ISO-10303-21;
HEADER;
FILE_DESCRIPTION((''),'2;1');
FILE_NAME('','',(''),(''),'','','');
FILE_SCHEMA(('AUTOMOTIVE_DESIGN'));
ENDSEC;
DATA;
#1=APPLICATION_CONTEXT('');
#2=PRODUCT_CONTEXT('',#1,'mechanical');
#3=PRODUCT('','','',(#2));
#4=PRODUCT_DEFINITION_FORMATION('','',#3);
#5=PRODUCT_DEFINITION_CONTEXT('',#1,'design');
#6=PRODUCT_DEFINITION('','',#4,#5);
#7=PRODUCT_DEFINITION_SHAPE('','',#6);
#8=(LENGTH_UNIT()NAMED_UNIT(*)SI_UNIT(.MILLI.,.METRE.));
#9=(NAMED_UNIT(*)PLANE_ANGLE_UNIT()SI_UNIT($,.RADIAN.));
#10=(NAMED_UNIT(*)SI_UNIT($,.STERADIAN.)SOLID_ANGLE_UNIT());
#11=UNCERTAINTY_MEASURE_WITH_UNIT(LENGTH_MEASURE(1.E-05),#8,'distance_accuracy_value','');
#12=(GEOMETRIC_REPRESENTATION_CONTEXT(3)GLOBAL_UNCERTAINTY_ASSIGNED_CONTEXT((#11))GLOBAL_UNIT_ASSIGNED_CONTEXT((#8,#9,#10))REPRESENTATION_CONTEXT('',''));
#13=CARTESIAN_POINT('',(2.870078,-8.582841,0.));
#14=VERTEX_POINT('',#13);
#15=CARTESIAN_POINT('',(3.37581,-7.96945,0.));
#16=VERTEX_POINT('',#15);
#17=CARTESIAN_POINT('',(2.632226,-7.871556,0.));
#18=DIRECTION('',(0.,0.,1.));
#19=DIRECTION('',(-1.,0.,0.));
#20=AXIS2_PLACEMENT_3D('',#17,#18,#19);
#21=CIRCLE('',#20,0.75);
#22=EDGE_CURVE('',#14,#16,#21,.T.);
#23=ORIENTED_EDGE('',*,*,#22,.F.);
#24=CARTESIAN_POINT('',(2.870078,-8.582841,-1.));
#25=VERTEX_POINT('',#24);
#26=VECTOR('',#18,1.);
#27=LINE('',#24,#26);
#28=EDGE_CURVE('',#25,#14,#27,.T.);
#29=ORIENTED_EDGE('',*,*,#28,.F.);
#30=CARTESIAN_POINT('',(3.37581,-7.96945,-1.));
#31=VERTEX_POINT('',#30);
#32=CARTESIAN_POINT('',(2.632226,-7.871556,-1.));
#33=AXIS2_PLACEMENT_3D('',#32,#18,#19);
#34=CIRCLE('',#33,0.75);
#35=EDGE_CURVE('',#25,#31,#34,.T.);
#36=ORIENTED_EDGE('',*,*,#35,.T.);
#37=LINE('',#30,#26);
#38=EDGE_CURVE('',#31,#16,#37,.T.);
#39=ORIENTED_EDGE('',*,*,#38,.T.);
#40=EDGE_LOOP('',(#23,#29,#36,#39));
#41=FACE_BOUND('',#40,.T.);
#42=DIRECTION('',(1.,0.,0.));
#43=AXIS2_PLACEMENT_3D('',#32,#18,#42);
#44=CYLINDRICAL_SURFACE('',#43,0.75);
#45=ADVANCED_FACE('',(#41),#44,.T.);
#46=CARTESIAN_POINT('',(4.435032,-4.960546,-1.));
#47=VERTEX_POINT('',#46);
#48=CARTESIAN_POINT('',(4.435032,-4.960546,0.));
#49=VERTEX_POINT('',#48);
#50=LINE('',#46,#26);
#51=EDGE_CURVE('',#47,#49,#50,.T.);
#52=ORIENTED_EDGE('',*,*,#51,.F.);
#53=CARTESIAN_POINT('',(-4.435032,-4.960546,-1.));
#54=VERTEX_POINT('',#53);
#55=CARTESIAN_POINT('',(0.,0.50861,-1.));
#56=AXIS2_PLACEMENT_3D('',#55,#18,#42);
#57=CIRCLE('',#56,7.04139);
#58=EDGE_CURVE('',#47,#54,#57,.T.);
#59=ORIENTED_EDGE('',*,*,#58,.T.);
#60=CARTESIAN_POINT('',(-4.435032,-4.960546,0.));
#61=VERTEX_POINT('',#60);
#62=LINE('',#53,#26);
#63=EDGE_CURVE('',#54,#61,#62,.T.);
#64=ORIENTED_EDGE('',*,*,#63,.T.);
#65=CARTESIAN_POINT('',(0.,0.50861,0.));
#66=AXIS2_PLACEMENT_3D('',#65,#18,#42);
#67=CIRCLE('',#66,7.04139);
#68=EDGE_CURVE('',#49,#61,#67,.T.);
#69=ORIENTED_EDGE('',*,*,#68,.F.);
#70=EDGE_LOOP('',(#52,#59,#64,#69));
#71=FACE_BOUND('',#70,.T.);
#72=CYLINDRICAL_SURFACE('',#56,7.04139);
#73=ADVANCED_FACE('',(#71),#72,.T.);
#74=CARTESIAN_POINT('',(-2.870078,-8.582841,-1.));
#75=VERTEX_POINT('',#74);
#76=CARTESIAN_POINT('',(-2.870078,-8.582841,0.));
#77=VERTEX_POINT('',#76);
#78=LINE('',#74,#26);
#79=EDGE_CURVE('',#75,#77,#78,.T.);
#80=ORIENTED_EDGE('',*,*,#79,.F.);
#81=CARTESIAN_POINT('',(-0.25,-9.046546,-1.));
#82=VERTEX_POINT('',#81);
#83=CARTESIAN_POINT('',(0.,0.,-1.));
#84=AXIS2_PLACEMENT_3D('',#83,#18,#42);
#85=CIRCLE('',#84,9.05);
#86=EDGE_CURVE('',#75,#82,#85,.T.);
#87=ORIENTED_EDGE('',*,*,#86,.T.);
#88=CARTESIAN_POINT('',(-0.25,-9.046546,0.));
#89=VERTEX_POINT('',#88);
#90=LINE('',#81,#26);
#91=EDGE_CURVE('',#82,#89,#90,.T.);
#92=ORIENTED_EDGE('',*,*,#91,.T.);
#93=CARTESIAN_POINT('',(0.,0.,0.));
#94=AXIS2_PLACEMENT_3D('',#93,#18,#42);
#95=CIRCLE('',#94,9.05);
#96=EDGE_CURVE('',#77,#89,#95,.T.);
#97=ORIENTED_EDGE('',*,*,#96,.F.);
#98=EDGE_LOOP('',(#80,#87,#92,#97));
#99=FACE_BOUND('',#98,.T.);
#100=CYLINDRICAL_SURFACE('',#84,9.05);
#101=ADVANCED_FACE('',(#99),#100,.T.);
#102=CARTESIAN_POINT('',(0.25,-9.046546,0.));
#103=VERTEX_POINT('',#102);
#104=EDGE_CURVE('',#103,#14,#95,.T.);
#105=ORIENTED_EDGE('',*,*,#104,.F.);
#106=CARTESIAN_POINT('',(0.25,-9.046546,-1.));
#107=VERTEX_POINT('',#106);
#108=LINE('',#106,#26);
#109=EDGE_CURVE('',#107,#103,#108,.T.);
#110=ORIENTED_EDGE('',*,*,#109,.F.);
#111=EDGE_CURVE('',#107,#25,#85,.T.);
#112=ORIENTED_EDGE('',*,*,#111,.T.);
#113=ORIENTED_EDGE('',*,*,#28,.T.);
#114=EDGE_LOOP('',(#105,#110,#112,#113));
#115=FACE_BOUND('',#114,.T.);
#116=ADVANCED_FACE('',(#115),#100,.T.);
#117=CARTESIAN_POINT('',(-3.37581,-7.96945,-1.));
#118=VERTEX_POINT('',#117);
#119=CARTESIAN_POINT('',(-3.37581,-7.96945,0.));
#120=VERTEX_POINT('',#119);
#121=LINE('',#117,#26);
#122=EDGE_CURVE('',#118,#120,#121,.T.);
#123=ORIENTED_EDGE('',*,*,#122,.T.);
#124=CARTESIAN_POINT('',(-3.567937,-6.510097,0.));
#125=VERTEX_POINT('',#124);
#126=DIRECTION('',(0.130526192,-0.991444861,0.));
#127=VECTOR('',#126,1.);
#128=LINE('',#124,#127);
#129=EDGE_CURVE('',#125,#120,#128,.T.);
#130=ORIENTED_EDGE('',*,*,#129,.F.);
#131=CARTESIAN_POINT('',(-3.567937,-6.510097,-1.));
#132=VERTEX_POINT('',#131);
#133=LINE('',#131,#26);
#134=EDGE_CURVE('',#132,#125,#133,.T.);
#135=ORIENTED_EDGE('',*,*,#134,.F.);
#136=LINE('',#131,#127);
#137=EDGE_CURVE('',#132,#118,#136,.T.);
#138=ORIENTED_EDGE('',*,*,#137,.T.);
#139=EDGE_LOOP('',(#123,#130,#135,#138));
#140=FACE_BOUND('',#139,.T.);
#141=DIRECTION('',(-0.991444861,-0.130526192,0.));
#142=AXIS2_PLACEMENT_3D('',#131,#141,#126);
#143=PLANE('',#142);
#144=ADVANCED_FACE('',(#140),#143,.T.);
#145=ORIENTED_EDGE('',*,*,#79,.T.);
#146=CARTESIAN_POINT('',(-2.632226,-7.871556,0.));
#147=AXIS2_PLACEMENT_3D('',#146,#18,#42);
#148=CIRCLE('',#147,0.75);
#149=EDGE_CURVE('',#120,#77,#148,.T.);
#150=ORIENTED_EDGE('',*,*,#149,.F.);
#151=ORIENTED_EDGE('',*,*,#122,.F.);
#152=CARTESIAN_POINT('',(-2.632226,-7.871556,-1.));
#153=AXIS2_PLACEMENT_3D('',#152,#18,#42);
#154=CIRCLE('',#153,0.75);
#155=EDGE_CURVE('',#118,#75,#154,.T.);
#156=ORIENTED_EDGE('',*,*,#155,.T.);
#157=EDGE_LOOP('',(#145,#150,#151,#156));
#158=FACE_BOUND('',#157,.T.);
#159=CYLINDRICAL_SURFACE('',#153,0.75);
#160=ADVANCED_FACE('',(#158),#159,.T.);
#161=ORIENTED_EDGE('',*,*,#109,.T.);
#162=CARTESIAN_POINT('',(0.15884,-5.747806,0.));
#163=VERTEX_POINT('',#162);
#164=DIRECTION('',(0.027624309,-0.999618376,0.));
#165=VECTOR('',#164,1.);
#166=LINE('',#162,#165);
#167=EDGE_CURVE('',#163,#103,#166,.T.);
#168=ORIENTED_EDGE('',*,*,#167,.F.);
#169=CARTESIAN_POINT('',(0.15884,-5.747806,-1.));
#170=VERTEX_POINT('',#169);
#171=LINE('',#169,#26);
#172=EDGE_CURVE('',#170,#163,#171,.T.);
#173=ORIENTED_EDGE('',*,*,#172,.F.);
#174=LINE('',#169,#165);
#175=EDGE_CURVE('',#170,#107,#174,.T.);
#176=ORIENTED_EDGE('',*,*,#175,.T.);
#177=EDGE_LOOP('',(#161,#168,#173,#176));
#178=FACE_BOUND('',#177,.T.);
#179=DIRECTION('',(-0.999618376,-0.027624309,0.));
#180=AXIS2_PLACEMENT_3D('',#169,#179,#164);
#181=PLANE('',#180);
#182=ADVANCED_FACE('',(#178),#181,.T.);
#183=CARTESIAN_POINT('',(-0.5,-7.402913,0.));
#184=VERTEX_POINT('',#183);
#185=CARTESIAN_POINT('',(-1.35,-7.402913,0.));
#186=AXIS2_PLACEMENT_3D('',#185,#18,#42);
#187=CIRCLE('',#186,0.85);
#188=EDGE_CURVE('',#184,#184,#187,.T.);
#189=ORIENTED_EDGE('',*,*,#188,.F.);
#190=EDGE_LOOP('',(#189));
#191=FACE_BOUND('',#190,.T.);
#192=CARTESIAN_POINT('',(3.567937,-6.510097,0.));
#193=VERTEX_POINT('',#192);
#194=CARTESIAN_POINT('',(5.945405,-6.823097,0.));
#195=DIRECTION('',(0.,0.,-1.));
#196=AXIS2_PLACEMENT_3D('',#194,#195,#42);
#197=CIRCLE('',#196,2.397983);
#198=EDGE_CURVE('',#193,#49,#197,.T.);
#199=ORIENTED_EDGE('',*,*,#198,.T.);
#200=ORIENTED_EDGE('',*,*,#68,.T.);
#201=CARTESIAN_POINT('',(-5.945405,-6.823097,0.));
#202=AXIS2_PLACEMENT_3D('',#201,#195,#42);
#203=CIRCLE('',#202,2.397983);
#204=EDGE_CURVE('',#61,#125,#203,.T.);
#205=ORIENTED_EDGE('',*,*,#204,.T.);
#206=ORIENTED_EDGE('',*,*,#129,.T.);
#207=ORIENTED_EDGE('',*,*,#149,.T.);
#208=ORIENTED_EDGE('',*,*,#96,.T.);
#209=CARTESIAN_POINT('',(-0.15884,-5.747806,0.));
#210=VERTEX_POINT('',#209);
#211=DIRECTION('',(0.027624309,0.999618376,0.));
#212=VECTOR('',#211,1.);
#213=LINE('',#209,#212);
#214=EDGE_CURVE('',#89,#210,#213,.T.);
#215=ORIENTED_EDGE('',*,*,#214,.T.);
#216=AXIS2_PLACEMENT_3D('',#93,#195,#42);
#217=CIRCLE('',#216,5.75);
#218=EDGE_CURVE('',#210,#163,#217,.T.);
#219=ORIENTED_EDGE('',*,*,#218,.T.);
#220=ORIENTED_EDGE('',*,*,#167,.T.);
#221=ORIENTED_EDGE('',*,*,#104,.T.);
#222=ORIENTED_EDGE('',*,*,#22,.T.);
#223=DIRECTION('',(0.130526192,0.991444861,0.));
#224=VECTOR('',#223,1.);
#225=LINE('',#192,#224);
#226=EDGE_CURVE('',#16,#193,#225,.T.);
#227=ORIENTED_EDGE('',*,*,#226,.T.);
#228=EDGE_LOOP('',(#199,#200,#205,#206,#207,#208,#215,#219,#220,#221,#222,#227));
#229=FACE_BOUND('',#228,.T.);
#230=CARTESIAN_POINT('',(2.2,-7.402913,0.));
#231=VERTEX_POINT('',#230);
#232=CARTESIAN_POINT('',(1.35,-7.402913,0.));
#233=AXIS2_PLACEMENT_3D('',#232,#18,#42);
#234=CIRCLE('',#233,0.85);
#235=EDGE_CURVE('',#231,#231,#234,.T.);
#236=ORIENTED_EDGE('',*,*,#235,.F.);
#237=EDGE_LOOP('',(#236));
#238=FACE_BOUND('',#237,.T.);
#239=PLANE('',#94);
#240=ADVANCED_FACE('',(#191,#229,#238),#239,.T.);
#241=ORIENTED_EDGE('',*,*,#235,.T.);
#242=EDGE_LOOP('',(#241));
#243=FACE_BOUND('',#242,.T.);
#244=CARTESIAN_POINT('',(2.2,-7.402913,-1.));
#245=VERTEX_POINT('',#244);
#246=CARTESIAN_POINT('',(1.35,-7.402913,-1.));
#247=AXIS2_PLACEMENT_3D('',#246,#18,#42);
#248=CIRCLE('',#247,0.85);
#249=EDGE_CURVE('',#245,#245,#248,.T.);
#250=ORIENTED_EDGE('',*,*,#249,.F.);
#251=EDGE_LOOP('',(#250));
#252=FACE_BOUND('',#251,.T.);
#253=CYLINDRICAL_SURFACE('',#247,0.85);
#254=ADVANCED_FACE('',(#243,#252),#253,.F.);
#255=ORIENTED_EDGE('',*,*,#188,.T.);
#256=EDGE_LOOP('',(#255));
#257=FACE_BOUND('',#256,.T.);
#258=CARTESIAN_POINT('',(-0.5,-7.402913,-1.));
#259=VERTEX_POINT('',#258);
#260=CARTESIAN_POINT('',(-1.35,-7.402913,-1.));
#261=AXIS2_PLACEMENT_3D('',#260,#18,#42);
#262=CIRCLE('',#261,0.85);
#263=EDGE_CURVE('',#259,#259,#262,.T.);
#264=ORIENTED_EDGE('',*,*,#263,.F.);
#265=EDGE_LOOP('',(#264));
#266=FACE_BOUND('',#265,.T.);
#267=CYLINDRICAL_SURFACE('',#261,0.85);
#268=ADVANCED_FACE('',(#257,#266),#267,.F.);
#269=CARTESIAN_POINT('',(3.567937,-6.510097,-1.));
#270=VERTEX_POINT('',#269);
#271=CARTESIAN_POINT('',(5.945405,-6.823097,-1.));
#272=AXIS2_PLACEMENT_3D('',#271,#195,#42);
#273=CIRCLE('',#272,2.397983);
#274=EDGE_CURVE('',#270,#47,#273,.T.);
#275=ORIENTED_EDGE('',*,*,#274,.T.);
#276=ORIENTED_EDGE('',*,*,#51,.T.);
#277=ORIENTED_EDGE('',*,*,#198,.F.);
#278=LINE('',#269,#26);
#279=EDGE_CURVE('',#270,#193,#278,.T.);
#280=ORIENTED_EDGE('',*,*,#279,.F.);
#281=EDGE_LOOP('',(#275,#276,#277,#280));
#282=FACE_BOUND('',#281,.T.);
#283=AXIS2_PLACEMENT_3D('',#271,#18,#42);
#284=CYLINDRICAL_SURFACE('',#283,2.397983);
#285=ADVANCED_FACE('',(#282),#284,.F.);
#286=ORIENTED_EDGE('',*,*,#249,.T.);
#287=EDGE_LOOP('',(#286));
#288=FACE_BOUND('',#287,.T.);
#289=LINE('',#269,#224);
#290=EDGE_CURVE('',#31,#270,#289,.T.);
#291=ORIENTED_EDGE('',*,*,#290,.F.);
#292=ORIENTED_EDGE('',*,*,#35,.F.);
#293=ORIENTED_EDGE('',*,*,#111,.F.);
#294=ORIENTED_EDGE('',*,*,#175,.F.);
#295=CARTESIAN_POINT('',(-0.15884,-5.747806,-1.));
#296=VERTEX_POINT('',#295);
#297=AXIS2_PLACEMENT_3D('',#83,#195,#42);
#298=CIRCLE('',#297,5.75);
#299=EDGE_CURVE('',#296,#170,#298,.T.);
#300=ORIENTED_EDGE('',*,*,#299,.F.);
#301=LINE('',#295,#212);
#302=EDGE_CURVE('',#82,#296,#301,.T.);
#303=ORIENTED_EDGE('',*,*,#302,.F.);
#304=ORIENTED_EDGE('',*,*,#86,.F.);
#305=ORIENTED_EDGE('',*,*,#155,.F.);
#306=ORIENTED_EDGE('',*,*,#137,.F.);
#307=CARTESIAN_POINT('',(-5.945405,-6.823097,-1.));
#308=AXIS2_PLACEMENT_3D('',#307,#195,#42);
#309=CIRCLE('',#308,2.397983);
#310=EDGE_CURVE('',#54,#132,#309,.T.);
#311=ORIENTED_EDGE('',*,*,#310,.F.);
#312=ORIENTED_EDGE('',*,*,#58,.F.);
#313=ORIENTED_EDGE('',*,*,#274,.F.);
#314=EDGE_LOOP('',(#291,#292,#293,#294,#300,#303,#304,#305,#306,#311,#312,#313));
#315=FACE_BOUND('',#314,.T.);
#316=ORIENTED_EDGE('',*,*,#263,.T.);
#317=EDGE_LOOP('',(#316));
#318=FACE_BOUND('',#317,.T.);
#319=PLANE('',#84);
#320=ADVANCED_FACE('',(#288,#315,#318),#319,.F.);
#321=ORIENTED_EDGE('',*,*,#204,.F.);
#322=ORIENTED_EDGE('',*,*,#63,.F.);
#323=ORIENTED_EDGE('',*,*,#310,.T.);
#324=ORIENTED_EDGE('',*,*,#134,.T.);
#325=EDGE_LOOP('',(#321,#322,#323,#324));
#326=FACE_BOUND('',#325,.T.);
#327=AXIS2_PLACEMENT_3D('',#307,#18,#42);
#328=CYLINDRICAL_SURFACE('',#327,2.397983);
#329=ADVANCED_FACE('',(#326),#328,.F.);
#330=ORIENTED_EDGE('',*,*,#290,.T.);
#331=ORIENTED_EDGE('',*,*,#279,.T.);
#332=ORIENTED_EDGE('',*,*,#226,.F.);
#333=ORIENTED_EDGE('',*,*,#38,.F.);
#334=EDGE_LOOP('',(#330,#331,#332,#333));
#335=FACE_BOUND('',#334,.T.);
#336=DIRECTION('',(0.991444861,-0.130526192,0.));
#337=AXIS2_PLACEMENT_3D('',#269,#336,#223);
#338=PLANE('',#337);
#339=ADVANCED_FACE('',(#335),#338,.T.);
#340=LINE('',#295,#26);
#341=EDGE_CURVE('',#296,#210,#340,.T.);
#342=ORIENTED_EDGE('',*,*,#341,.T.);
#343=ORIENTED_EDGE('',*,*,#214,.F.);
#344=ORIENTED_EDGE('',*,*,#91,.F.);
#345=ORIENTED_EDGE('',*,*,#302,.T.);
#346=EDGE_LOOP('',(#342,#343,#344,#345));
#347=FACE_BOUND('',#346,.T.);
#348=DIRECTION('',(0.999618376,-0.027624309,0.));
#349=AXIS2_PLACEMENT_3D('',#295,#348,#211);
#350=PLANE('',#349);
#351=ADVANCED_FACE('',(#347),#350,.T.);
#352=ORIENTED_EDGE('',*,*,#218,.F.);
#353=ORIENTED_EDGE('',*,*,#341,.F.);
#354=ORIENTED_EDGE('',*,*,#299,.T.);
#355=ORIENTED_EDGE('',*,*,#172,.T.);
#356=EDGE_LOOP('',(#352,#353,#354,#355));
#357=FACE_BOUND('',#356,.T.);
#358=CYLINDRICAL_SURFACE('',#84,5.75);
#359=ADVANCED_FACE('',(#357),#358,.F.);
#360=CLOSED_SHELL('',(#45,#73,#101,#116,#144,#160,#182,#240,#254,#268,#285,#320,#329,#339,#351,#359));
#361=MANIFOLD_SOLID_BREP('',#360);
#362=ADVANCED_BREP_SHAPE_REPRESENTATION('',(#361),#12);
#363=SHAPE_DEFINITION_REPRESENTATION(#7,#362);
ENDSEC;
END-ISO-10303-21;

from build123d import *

# Parameters (mm, degrees)
BODYSKE_R  = 0.85
BODY_DEPTH = 1


with BuildPart() as part:
    # BodySke → Body (new body)
    with BuildSketch(Plane.XY):
        with BuildLine():
            Line((0.158839779, -5.747805662), (0.25, -9.046546302))
            ThreePointArc((0.25, -9.046546302), (1.577173754, -8.9115107), (2.870077767, -8.582840649))
            ThreePointArc((2.870077767, -8.582840649), (3.210901949, -8.348665738), (3.375809664, -7.969450157))
            Line((3.375809664, -7.969450157), (3.567937091, -6.510097462))
            ThreePointArc((3.567937091, -6.510097462), (3.852773959, -5.652106923), (4.435031511, -4.960546405))
            ThreePointArc((4.435031511, -4.960546405), (0, 7.55), (-4.435031511, -4.960546405))
            ThreePointArc((-4.435031511, -4.960546405), (-3.852773959, -5.652106923), (-3.567937091, -6.510097462))
            Line((-3.567937091, -6.510097462), (-3.375809664, -7.969450157))
            ThreePointArc((-3.375809664, -7.969450157), (-3.210901949, -8.348665738), (-2.870077767, -8.582840649))
            ThreePointArc((-2.870077767, -8.582840649), (-1.577173754, -8.9115107), (-0.25, -9.046546302))
            Line((-0.25, -9.046546302), (-0.158839779, -5.747805662))
            ThreePointArc((-0.158839779, -5.747805662), (0, 5.75), (0.158839779, -5.747805662))
        make_face()
        with Locations((1.35, -7.402913278)):
            Circle(BODYSKE_R, mode=Mode.SUBTRACT)
        with Locations((-1.35, -7.402913278)):
            Circle(BODYSKE_R, mode=Mode.SUBTRACT)
    extrude(amount=-BODY_DEPTH)


solid = part.part
